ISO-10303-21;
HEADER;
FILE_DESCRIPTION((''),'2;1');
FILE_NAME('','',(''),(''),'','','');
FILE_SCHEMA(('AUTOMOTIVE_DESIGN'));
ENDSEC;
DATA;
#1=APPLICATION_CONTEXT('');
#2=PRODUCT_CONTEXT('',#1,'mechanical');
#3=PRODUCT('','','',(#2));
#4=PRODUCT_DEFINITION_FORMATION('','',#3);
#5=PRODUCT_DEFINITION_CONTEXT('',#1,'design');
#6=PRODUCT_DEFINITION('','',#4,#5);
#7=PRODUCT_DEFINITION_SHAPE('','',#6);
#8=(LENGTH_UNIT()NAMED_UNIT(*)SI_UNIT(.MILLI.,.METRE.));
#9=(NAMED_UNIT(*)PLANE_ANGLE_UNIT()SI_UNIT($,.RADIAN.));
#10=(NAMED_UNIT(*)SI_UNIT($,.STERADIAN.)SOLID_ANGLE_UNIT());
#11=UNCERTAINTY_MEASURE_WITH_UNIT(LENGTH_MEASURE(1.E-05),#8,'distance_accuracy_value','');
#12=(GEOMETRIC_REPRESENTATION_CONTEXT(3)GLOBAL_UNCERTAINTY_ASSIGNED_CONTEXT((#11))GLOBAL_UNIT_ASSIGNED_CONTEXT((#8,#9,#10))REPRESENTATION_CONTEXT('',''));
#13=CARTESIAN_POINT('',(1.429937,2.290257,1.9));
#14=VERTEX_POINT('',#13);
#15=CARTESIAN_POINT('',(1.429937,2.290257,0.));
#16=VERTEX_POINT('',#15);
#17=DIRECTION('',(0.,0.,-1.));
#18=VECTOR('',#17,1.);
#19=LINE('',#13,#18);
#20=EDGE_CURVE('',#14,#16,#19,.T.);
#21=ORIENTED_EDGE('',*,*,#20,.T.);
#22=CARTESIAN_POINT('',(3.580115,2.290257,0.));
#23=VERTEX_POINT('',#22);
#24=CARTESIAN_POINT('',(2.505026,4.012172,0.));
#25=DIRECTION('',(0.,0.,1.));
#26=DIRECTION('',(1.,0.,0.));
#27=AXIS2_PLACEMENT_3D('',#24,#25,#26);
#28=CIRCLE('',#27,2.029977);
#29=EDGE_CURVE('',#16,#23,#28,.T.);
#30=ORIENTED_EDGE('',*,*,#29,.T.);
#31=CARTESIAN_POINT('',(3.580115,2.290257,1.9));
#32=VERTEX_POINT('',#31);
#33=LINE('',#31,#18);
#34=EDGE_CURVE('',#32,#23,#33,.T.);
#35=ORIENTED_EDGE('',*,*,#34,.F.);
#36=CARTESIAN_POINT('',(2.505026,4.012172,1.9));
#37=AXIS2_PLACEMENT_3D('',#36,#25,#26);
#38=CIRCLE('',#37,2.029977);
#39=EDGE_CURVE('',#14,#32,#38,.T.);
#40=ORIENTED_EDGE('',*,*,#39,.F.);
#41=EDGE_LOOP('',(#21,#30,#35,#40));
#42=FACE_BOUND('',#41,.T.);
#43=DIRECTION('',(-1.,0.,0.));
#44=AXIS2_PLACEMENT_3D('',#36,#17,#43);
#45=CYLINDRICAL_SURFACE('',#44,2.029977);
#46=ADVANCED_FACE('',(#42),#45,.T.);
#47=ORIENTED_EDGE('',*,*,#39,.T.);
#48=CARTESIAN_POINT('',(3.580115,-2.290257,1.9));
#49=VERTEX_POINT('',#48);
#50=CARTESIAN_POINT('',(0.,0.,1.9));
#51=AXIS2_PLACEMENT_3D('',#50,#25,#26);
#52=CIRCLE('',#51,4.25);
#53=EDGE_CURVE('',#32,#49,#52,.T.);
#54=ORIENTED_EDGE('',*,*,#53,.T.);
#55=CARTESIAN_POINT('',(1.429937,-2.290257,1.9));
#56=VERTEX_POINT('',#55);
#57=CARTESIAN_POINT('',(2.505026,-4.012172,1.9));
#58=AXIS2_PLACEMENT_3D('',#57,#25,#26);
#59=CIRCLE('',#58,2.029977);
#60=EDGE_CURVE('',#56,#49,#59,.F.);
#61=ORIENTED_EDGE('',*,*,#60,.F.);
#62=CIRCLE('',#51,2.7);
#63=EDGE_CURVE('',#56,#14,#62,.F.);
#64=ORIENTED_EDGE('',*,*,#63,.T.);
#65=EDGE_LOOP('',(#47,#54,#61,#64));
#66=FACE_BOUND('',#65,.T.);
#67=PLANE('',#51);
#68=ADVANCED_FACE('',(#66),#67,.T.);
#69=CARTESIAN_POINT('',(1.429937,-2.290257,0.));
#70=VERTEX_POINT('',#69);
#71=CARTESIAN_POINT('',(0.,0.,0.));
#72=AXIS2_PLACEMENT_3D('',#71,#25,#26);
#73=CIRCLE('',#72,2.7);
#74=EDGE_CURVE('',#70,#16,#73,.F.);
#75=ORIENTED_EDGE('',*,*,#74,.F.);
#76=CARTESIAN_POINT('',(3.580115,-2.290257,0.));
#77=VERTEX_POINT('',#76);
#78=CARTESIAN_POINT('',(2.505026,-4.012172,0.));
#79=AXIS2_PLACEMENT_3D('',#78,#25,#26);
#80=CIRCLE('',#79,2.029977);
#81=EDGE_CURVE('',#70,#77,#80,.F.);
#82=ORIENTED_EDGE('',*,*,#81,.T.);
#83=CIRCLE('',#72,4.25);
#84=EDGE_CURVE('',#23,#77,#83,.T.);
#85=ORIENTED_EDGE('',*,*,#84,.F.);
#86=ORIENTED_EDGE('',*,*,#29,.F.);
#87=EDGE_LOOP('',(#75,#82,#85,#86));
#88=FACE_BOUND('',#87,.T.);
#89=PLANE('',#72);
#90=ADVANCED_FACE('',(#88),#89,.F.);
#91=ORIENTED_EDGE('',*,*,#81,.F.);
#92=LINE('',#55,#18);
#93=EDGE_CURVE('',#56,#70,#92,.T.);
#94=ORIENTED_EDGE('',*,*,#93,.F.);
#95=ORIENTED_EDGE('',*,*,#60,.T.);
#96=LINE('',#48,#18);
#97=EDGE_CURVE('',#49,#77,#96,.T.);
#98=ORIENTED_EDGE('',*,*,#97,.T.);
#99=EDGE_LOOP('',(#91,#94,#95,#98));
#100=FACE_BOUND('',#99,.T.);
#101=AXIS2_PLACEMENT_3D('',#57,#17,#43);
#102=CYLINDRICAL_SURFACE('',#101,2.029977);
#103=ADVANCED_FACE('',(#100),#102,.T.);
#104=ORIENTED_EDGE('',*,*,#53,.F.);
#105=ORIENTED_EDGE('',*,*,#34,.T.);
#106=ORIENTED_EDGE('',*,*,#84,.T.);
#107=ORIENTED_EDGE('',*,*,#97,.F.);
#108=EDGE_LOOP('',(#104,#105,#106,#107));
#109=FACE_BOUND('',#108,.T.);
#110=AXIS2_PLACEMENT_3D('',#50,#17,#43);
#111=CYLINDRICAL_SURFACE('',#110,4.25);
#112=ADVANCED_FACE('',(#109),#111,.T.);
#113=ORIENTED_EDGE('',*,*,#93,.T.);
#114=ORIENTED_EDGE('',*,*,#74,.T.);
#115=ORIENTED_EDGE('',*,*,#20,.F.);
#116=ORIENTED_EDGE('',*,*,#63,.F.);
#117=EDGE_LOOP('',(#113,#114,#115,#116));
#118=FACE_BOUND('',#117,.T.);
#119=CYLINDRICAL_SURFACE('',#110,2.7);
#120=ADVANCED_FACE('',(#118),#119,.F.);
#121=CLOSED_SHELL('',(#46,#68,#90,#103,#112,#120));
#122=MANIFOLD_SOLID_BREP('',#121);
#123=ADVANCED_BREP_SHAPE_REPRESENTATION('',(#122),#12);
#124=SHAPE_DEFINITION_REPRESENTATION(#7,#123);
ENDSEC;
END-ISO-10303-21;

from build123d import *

# Parameters (mm, degrees)
BOSS_EXTRUDE1_DEPTH = 1.9


with BuildPart() as part:
    # Sketch1 → Boss-Extrude1 (new body)
    with BuildSketch(Plane.XY):
        with BuildLine():
            ThreePointArc((1.429937387, -2.290257424), (-2.7, 0), (1.429937387, 2.290257424))
            ThreePointArc((1.429937387, 2.290257424), (2.50502602, 1.982195274), (3.580114653, 2.290257424))
            ThreePointArc((3.580114653, 2.290257424), (-4.25, 0), (3.580114653, -2.290257424))
            ThreePointArc((3.580114653, -2.290257424), (2.50502602, -1.982195274), (1.429937387, -2.290257424))
        make_face()
    extrude(amount=BOSS_EXTRUDE1_DEPTH)


solid = part.part
